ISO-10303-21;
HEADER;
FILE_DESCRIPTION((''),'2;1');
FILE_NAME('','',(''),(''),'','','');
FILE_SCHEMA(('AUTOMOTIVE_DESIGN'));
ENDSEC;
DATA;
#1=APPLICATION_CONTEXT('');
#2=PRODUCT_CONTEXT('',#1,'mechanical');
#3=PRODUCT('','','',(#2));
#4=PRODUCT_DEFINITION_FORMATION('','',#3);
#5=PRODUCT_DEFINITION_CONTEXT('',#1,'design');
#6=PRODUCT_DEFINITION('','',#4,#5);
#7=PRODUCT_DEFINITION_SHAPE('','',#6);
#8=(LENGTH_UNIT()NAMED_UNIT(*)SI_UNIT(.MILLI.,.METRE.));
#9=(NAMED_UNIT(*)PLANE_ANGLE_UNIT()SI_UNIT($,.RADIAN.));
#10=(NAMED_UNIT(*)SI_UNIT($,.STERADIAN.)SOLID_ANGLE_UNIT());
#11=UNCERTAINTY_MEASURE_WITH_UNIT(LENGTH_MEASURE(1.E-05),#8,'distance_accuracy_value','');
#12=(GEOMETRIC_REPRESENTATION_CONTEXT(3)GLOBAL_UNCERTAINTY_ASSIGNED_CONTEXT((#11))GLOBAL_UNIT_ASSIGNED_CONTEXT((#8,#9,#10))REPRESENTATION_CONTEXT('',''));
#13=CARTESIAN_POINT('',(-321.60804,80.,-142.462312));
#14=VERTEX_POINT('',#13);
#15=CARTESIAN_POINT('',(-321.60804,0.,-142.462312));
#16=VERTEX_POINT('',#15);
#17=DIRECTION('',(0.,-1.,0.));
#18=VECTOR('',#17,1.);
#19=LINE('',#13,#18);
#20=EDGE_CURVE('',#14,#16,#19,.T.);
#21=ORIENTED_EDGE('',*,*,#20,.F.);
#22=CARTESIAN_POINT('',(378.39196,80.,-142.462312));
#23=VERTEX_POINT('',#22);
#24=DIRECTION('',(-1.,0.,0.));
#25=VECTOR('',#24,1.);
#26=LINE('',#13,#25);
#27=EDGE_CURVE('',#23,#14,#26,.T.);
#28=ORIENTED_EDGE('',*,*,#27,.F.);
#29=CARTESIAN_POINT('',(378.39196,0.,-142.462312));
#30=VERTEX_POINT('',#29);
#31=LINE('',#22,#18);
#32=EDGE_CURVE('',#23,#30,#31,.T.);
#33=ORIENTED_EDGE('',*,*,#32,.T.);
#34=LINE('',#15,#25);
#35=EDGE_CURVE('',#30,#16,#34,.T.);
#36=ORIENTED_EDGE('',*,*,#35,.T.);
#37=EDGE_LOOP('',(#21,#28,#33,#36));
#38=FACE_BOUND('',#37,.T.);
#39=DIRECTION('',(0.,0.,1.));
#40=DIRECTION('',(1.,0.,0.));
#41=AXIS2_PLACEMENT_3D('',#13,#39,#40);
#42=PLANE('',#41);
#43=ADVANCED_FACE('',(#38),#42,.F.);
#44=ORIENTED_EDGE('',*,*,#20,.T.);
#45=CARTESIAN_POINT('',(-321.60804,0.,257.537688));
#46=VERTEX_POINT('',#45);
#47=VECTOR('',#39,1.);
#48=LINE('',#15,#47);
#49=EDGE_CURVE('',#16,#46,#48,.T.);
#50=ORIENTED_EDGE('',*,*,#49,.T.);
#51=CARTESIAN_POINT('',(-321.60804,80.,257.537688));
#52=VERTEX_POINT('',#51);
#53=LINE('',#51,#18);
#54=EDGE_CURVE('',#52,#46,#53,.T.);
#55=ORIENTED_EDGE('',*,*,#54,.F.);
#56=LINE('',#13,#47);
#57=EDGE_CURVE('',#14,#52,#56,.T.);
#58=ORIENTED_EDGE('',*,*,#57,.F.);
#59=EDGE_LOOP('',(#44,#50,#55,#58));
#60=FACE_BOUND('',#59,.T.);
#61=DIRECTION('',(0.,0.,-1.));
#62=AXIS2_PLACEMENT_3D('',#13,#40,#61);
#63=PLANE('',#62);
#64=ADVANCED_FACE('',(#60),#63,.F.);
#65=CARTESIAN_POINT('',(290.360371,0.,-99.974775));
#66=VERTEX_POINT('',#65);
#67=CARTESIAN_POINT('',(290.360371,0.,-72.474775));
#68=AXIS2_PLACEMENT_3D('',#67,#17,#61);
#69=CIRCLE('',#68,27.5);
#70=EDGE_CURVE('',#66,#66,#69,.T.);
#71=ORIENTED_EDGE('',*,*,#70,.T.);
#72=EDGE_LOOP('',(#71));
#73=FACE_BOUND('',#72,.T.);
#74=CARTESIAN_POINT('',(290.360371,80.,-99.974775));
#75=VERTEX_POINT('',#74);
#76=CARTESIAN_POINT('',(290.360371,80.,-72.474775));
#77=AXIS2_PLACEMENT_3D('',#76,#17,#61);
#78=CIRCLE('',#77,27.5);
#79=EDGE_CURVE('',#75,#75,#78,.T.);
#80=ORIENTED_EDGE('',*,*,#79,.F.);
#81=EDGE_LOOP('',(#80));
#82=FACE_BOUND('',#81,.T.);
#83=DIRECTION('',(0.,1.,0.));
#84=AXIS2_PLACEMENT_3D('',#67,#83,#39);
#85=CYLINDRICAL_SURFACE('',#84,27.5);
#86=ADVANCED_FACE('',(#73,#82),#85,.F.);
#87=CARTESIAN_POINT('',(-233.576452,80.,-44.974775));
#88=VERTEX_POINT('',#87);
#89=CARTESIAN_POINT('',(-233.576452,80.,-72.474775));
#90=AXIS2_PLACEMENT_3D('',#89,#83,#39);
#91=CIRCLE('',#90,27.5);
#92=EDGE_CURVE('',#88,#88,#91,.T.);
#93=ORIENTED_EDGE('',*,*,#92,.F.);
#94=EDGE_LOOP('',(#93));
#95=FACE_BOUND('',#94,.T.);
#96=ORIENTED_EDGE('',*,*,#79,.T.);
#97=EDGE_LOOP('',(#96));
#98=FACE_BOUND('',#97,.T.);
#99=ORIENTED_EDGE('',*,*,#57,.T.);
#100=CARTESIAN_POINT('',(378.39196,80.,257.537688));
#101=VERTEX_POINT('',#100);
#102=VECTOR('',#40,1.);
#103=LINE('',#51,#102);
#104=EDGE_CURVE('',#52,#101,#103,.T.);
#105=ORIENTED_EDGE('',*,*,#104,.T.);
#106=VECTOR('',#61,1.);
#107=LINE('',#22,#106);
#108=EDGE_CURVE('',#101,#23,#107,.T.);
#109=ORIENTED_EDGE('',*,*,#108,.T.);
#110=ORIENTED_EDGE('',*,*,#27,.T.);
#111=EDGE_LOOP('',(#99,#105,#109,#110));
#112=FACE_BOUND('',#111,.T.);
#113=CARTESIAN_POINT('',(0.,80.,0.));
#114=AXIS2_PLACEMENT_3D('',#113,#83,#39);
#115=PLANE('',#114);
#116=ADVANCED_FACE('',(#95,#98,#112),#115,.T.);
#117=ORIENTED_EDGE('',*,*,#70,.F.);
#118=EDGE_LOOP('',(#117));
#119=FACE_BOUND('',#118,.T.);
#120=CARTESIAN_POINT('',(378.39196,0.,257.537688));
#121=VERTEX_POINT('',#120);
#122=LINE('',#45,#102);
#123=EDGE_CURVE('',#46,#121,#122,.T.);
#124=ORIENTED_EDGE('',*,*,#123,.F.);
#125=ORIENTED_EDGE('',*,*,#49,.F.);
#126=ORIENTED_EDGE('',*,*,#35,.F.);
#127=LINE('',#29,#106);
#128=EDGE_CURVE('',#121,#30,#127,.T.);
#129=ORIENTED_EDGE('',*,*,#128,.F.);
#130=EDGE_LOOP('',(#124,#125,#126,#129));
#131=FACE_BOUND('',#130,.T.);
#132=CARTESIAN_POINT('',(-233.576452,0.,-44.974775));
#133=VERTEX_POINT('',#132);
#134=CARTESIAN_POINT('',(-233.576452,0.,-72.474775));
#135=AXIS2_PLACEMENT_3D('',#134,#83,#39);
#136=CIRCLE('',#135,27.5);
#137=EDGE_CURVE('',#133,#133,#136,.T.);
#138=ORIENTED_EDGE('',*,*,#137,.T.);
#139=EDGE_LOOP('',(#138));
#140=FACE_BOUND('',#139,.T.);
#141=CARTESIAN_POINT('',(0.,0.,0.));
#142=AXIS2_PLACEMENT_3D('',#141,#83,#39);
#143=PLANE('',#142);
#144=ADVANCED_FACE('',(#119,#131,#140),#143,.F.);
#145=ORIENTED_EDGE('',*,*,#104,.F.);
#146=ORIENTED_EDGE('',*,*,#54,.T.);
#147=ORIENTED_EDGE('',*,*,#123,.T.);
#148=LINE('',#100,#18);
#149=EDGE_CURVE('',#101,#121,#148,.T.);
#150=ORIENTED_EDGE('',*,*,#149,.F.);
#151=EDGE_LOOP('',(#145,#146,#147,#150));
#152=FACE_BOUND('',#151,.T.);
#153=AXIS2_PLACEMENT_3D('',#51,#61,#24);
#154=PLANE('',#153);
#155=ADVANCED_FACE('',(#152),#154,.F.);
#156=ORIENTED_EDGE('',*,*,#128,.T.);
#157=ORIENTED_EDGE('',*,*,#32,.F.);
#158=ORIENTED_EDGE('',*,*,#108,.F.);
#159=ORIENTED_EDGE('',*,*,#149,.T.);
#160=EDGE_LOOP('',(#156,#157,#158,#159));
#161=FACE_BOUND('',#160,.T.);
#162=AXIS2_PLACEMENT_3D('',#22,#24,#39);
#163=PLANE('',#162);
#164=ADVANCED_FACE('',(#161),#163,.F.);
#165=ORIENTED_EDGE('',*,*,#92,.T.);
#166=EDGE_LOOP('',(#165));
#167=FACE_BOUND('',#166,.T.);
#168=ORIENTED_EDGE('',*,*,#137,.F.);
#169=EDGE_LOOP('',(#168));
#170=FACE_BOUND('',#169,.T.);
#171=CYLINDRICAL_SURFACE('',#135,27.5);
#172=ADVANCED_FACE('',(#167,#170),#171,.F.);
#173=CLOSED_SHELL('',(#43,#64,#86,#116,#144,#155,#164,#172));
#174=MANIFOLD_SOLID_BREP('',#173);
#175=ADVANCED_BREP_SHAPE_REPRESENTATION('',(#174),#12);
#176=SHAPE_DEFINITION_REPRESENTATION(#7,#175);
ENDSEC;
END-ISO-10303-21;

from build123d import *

# Parameters (mm, degrees)
SKETCH1_W           = 700
SKETCH1_H           = 400
BOSS_EXTRUDE1_DEPTH = 80
SKETCH3_R           = 27.5
CUT_EXTRUDE1_DEPTH  = 80
SKETCH3_4_R         = 27.5
CUT_EXTRUDE2_DEPTH  = 80


with BuildPart() as part:
    # Sketch1 → Boss-Extrude1 (new body)
    with BuildSketch(Plane(origin=(0, 0, 0), x_dir=(1, 0, 0), z_dir=(0, 1, 0))):
        with Locations((28.391959799, -57.537688442)):
            Rectangle(SKETCH1_W, SKETCH1_H)
    extrude(amount=BOSS_EXTRUDE1_DEPTH)

    # Sketch3 → Cut-Extrude1 (cut)
    with BuildSketch(Plane(origin=(0, 80, 0), x_dir=(1, 0, 0), z_dir=(0, 1, 0))):
        with Locations((-233.57645152, 72.474774931)):
            Circle(SKETCH3_R)
    extrude(amount=-CUT_EXTRUDE1_DEPTH, mode=Mode.SUBTRACT)

    # Sketch3<4> → Cut-Extrude2 (cut)
    with BuildSketch(Plane(origin=(0, 80, 0), x_dir=(1, 0, 0), z_dir=(0, 1, 0))):
        with Locations((290.360371117, 72.474774931)):
            Circle(SKETCH3_4_R)
    extrude(amount=-CUT_EXTRUDE2_DEPTH, mode=Mode.SUBTRACT)


solid = part.part
